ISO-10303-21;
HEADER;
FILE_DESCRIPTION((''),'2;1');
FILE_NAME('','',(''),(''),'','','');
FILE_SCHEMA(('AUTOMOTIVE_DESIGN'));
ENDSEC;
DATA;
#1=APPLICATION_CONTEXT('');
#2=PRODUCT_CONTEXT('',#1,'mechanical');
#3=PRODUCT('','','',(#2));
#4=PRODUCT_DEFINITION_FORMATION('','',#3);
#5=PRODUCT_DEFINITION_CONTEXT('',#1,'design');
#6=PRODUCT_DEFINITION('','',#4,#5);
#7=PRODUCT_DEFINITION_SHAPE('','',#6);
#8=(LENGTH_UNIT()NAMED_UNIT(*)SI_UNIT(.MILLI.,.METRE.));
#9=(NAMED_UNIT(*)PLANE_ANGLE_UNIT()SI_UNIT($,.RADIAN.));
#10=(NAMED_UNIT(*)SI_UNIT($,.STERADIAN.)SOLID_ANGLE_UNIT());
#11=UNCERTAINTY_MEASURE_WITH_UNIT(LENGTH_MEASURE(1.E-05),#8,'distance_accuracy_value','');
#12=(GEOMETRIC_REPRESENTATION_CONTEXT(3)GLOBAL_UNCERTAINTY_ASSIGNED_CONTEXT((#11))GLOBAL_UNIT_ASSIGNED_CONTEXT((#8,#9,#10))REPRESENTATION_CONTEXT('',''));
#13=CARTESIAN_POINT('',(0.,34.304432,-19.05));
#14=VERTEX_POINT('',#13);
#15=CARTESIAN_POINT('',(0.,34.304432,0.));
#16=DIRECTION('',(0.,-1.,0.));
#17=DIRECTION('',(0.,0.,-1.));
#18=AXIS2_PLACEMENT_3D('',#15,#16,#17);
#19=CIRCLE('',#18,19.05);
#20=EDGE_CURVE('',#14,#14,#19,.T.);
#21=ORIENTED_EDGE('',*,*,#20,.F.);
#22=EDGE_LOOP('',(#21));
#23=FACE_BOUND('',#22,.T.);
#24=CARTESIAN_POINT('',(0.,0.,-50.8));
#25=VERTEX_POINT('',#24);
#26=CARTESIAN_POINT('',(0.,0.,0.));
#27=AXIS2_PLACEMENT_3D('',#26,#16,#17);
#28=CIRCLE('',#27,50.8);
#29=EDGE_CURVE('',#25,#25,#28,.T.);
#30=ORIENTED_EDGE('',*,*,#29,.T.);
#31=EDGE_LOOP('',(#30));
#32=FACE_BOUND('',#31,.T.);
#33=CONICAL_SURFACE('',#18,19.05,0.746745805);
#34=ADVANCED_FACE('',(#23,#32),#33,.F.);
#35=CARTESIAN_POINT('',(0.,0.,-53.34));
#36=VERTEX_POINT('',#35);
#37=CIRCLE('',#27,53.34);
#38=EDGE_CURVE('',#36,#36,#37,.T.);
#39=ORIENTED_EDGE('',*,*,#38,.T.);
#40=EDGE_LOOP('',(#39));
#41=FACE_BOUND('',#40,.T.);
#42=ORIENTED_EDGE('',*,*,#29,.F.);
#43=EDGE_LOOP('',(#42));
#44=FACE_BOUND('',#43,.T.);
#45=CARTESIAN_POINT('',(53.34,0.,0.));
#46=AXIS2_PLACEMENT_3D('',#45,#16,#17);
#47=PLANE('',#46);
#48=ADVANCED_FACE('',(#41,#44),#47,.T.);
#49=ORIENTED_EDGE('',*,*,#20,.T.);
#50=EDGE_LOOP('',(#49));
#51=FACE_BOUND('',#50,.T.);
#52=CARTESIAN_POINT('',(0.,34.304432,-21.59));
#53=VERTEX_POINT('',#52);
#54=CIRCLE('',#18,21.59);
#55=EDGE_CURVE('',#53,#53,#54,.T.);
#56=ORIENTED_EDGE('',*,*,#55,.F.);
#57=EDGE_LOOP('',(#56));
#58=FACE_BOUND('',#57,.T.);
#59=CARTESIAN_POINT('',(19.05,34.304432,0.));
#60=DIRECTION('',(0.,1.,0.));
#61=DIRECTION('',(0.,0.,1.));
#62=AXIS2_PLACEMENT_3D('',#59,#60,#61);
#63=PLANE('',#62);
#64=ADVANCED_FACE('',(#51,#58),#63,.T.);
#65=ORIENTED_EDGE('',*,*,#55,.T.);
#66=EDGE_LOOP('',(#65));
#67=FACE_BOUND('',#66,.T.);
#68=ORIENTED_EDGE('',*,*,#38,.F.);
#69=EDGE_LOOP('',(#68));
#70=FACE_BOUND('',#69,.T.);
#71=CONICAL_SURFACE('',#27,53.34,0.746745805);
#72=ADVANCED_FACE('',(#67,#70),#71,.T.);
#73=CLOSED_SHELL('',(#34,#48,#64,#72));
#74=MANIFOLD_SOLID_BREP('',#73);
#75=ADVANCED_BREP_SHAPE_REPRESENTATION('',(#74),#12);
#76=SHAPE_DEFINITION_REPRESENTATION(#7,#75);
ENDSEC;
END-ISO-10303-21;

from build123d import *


with BuildPart() as part:
    # Sketch1 → Revolve1 (revolve)
    with BuildSketch(Plane.XY):
        Polygon((53.34, 0), (50.8, 0), (19.05, 34.304431818), (21.59, 34.304431818), (25.4, 30.1879), align=None)
    revolve(axis=Axis((0, 0, 0), (0, 1, 0)))


solid = part.part
